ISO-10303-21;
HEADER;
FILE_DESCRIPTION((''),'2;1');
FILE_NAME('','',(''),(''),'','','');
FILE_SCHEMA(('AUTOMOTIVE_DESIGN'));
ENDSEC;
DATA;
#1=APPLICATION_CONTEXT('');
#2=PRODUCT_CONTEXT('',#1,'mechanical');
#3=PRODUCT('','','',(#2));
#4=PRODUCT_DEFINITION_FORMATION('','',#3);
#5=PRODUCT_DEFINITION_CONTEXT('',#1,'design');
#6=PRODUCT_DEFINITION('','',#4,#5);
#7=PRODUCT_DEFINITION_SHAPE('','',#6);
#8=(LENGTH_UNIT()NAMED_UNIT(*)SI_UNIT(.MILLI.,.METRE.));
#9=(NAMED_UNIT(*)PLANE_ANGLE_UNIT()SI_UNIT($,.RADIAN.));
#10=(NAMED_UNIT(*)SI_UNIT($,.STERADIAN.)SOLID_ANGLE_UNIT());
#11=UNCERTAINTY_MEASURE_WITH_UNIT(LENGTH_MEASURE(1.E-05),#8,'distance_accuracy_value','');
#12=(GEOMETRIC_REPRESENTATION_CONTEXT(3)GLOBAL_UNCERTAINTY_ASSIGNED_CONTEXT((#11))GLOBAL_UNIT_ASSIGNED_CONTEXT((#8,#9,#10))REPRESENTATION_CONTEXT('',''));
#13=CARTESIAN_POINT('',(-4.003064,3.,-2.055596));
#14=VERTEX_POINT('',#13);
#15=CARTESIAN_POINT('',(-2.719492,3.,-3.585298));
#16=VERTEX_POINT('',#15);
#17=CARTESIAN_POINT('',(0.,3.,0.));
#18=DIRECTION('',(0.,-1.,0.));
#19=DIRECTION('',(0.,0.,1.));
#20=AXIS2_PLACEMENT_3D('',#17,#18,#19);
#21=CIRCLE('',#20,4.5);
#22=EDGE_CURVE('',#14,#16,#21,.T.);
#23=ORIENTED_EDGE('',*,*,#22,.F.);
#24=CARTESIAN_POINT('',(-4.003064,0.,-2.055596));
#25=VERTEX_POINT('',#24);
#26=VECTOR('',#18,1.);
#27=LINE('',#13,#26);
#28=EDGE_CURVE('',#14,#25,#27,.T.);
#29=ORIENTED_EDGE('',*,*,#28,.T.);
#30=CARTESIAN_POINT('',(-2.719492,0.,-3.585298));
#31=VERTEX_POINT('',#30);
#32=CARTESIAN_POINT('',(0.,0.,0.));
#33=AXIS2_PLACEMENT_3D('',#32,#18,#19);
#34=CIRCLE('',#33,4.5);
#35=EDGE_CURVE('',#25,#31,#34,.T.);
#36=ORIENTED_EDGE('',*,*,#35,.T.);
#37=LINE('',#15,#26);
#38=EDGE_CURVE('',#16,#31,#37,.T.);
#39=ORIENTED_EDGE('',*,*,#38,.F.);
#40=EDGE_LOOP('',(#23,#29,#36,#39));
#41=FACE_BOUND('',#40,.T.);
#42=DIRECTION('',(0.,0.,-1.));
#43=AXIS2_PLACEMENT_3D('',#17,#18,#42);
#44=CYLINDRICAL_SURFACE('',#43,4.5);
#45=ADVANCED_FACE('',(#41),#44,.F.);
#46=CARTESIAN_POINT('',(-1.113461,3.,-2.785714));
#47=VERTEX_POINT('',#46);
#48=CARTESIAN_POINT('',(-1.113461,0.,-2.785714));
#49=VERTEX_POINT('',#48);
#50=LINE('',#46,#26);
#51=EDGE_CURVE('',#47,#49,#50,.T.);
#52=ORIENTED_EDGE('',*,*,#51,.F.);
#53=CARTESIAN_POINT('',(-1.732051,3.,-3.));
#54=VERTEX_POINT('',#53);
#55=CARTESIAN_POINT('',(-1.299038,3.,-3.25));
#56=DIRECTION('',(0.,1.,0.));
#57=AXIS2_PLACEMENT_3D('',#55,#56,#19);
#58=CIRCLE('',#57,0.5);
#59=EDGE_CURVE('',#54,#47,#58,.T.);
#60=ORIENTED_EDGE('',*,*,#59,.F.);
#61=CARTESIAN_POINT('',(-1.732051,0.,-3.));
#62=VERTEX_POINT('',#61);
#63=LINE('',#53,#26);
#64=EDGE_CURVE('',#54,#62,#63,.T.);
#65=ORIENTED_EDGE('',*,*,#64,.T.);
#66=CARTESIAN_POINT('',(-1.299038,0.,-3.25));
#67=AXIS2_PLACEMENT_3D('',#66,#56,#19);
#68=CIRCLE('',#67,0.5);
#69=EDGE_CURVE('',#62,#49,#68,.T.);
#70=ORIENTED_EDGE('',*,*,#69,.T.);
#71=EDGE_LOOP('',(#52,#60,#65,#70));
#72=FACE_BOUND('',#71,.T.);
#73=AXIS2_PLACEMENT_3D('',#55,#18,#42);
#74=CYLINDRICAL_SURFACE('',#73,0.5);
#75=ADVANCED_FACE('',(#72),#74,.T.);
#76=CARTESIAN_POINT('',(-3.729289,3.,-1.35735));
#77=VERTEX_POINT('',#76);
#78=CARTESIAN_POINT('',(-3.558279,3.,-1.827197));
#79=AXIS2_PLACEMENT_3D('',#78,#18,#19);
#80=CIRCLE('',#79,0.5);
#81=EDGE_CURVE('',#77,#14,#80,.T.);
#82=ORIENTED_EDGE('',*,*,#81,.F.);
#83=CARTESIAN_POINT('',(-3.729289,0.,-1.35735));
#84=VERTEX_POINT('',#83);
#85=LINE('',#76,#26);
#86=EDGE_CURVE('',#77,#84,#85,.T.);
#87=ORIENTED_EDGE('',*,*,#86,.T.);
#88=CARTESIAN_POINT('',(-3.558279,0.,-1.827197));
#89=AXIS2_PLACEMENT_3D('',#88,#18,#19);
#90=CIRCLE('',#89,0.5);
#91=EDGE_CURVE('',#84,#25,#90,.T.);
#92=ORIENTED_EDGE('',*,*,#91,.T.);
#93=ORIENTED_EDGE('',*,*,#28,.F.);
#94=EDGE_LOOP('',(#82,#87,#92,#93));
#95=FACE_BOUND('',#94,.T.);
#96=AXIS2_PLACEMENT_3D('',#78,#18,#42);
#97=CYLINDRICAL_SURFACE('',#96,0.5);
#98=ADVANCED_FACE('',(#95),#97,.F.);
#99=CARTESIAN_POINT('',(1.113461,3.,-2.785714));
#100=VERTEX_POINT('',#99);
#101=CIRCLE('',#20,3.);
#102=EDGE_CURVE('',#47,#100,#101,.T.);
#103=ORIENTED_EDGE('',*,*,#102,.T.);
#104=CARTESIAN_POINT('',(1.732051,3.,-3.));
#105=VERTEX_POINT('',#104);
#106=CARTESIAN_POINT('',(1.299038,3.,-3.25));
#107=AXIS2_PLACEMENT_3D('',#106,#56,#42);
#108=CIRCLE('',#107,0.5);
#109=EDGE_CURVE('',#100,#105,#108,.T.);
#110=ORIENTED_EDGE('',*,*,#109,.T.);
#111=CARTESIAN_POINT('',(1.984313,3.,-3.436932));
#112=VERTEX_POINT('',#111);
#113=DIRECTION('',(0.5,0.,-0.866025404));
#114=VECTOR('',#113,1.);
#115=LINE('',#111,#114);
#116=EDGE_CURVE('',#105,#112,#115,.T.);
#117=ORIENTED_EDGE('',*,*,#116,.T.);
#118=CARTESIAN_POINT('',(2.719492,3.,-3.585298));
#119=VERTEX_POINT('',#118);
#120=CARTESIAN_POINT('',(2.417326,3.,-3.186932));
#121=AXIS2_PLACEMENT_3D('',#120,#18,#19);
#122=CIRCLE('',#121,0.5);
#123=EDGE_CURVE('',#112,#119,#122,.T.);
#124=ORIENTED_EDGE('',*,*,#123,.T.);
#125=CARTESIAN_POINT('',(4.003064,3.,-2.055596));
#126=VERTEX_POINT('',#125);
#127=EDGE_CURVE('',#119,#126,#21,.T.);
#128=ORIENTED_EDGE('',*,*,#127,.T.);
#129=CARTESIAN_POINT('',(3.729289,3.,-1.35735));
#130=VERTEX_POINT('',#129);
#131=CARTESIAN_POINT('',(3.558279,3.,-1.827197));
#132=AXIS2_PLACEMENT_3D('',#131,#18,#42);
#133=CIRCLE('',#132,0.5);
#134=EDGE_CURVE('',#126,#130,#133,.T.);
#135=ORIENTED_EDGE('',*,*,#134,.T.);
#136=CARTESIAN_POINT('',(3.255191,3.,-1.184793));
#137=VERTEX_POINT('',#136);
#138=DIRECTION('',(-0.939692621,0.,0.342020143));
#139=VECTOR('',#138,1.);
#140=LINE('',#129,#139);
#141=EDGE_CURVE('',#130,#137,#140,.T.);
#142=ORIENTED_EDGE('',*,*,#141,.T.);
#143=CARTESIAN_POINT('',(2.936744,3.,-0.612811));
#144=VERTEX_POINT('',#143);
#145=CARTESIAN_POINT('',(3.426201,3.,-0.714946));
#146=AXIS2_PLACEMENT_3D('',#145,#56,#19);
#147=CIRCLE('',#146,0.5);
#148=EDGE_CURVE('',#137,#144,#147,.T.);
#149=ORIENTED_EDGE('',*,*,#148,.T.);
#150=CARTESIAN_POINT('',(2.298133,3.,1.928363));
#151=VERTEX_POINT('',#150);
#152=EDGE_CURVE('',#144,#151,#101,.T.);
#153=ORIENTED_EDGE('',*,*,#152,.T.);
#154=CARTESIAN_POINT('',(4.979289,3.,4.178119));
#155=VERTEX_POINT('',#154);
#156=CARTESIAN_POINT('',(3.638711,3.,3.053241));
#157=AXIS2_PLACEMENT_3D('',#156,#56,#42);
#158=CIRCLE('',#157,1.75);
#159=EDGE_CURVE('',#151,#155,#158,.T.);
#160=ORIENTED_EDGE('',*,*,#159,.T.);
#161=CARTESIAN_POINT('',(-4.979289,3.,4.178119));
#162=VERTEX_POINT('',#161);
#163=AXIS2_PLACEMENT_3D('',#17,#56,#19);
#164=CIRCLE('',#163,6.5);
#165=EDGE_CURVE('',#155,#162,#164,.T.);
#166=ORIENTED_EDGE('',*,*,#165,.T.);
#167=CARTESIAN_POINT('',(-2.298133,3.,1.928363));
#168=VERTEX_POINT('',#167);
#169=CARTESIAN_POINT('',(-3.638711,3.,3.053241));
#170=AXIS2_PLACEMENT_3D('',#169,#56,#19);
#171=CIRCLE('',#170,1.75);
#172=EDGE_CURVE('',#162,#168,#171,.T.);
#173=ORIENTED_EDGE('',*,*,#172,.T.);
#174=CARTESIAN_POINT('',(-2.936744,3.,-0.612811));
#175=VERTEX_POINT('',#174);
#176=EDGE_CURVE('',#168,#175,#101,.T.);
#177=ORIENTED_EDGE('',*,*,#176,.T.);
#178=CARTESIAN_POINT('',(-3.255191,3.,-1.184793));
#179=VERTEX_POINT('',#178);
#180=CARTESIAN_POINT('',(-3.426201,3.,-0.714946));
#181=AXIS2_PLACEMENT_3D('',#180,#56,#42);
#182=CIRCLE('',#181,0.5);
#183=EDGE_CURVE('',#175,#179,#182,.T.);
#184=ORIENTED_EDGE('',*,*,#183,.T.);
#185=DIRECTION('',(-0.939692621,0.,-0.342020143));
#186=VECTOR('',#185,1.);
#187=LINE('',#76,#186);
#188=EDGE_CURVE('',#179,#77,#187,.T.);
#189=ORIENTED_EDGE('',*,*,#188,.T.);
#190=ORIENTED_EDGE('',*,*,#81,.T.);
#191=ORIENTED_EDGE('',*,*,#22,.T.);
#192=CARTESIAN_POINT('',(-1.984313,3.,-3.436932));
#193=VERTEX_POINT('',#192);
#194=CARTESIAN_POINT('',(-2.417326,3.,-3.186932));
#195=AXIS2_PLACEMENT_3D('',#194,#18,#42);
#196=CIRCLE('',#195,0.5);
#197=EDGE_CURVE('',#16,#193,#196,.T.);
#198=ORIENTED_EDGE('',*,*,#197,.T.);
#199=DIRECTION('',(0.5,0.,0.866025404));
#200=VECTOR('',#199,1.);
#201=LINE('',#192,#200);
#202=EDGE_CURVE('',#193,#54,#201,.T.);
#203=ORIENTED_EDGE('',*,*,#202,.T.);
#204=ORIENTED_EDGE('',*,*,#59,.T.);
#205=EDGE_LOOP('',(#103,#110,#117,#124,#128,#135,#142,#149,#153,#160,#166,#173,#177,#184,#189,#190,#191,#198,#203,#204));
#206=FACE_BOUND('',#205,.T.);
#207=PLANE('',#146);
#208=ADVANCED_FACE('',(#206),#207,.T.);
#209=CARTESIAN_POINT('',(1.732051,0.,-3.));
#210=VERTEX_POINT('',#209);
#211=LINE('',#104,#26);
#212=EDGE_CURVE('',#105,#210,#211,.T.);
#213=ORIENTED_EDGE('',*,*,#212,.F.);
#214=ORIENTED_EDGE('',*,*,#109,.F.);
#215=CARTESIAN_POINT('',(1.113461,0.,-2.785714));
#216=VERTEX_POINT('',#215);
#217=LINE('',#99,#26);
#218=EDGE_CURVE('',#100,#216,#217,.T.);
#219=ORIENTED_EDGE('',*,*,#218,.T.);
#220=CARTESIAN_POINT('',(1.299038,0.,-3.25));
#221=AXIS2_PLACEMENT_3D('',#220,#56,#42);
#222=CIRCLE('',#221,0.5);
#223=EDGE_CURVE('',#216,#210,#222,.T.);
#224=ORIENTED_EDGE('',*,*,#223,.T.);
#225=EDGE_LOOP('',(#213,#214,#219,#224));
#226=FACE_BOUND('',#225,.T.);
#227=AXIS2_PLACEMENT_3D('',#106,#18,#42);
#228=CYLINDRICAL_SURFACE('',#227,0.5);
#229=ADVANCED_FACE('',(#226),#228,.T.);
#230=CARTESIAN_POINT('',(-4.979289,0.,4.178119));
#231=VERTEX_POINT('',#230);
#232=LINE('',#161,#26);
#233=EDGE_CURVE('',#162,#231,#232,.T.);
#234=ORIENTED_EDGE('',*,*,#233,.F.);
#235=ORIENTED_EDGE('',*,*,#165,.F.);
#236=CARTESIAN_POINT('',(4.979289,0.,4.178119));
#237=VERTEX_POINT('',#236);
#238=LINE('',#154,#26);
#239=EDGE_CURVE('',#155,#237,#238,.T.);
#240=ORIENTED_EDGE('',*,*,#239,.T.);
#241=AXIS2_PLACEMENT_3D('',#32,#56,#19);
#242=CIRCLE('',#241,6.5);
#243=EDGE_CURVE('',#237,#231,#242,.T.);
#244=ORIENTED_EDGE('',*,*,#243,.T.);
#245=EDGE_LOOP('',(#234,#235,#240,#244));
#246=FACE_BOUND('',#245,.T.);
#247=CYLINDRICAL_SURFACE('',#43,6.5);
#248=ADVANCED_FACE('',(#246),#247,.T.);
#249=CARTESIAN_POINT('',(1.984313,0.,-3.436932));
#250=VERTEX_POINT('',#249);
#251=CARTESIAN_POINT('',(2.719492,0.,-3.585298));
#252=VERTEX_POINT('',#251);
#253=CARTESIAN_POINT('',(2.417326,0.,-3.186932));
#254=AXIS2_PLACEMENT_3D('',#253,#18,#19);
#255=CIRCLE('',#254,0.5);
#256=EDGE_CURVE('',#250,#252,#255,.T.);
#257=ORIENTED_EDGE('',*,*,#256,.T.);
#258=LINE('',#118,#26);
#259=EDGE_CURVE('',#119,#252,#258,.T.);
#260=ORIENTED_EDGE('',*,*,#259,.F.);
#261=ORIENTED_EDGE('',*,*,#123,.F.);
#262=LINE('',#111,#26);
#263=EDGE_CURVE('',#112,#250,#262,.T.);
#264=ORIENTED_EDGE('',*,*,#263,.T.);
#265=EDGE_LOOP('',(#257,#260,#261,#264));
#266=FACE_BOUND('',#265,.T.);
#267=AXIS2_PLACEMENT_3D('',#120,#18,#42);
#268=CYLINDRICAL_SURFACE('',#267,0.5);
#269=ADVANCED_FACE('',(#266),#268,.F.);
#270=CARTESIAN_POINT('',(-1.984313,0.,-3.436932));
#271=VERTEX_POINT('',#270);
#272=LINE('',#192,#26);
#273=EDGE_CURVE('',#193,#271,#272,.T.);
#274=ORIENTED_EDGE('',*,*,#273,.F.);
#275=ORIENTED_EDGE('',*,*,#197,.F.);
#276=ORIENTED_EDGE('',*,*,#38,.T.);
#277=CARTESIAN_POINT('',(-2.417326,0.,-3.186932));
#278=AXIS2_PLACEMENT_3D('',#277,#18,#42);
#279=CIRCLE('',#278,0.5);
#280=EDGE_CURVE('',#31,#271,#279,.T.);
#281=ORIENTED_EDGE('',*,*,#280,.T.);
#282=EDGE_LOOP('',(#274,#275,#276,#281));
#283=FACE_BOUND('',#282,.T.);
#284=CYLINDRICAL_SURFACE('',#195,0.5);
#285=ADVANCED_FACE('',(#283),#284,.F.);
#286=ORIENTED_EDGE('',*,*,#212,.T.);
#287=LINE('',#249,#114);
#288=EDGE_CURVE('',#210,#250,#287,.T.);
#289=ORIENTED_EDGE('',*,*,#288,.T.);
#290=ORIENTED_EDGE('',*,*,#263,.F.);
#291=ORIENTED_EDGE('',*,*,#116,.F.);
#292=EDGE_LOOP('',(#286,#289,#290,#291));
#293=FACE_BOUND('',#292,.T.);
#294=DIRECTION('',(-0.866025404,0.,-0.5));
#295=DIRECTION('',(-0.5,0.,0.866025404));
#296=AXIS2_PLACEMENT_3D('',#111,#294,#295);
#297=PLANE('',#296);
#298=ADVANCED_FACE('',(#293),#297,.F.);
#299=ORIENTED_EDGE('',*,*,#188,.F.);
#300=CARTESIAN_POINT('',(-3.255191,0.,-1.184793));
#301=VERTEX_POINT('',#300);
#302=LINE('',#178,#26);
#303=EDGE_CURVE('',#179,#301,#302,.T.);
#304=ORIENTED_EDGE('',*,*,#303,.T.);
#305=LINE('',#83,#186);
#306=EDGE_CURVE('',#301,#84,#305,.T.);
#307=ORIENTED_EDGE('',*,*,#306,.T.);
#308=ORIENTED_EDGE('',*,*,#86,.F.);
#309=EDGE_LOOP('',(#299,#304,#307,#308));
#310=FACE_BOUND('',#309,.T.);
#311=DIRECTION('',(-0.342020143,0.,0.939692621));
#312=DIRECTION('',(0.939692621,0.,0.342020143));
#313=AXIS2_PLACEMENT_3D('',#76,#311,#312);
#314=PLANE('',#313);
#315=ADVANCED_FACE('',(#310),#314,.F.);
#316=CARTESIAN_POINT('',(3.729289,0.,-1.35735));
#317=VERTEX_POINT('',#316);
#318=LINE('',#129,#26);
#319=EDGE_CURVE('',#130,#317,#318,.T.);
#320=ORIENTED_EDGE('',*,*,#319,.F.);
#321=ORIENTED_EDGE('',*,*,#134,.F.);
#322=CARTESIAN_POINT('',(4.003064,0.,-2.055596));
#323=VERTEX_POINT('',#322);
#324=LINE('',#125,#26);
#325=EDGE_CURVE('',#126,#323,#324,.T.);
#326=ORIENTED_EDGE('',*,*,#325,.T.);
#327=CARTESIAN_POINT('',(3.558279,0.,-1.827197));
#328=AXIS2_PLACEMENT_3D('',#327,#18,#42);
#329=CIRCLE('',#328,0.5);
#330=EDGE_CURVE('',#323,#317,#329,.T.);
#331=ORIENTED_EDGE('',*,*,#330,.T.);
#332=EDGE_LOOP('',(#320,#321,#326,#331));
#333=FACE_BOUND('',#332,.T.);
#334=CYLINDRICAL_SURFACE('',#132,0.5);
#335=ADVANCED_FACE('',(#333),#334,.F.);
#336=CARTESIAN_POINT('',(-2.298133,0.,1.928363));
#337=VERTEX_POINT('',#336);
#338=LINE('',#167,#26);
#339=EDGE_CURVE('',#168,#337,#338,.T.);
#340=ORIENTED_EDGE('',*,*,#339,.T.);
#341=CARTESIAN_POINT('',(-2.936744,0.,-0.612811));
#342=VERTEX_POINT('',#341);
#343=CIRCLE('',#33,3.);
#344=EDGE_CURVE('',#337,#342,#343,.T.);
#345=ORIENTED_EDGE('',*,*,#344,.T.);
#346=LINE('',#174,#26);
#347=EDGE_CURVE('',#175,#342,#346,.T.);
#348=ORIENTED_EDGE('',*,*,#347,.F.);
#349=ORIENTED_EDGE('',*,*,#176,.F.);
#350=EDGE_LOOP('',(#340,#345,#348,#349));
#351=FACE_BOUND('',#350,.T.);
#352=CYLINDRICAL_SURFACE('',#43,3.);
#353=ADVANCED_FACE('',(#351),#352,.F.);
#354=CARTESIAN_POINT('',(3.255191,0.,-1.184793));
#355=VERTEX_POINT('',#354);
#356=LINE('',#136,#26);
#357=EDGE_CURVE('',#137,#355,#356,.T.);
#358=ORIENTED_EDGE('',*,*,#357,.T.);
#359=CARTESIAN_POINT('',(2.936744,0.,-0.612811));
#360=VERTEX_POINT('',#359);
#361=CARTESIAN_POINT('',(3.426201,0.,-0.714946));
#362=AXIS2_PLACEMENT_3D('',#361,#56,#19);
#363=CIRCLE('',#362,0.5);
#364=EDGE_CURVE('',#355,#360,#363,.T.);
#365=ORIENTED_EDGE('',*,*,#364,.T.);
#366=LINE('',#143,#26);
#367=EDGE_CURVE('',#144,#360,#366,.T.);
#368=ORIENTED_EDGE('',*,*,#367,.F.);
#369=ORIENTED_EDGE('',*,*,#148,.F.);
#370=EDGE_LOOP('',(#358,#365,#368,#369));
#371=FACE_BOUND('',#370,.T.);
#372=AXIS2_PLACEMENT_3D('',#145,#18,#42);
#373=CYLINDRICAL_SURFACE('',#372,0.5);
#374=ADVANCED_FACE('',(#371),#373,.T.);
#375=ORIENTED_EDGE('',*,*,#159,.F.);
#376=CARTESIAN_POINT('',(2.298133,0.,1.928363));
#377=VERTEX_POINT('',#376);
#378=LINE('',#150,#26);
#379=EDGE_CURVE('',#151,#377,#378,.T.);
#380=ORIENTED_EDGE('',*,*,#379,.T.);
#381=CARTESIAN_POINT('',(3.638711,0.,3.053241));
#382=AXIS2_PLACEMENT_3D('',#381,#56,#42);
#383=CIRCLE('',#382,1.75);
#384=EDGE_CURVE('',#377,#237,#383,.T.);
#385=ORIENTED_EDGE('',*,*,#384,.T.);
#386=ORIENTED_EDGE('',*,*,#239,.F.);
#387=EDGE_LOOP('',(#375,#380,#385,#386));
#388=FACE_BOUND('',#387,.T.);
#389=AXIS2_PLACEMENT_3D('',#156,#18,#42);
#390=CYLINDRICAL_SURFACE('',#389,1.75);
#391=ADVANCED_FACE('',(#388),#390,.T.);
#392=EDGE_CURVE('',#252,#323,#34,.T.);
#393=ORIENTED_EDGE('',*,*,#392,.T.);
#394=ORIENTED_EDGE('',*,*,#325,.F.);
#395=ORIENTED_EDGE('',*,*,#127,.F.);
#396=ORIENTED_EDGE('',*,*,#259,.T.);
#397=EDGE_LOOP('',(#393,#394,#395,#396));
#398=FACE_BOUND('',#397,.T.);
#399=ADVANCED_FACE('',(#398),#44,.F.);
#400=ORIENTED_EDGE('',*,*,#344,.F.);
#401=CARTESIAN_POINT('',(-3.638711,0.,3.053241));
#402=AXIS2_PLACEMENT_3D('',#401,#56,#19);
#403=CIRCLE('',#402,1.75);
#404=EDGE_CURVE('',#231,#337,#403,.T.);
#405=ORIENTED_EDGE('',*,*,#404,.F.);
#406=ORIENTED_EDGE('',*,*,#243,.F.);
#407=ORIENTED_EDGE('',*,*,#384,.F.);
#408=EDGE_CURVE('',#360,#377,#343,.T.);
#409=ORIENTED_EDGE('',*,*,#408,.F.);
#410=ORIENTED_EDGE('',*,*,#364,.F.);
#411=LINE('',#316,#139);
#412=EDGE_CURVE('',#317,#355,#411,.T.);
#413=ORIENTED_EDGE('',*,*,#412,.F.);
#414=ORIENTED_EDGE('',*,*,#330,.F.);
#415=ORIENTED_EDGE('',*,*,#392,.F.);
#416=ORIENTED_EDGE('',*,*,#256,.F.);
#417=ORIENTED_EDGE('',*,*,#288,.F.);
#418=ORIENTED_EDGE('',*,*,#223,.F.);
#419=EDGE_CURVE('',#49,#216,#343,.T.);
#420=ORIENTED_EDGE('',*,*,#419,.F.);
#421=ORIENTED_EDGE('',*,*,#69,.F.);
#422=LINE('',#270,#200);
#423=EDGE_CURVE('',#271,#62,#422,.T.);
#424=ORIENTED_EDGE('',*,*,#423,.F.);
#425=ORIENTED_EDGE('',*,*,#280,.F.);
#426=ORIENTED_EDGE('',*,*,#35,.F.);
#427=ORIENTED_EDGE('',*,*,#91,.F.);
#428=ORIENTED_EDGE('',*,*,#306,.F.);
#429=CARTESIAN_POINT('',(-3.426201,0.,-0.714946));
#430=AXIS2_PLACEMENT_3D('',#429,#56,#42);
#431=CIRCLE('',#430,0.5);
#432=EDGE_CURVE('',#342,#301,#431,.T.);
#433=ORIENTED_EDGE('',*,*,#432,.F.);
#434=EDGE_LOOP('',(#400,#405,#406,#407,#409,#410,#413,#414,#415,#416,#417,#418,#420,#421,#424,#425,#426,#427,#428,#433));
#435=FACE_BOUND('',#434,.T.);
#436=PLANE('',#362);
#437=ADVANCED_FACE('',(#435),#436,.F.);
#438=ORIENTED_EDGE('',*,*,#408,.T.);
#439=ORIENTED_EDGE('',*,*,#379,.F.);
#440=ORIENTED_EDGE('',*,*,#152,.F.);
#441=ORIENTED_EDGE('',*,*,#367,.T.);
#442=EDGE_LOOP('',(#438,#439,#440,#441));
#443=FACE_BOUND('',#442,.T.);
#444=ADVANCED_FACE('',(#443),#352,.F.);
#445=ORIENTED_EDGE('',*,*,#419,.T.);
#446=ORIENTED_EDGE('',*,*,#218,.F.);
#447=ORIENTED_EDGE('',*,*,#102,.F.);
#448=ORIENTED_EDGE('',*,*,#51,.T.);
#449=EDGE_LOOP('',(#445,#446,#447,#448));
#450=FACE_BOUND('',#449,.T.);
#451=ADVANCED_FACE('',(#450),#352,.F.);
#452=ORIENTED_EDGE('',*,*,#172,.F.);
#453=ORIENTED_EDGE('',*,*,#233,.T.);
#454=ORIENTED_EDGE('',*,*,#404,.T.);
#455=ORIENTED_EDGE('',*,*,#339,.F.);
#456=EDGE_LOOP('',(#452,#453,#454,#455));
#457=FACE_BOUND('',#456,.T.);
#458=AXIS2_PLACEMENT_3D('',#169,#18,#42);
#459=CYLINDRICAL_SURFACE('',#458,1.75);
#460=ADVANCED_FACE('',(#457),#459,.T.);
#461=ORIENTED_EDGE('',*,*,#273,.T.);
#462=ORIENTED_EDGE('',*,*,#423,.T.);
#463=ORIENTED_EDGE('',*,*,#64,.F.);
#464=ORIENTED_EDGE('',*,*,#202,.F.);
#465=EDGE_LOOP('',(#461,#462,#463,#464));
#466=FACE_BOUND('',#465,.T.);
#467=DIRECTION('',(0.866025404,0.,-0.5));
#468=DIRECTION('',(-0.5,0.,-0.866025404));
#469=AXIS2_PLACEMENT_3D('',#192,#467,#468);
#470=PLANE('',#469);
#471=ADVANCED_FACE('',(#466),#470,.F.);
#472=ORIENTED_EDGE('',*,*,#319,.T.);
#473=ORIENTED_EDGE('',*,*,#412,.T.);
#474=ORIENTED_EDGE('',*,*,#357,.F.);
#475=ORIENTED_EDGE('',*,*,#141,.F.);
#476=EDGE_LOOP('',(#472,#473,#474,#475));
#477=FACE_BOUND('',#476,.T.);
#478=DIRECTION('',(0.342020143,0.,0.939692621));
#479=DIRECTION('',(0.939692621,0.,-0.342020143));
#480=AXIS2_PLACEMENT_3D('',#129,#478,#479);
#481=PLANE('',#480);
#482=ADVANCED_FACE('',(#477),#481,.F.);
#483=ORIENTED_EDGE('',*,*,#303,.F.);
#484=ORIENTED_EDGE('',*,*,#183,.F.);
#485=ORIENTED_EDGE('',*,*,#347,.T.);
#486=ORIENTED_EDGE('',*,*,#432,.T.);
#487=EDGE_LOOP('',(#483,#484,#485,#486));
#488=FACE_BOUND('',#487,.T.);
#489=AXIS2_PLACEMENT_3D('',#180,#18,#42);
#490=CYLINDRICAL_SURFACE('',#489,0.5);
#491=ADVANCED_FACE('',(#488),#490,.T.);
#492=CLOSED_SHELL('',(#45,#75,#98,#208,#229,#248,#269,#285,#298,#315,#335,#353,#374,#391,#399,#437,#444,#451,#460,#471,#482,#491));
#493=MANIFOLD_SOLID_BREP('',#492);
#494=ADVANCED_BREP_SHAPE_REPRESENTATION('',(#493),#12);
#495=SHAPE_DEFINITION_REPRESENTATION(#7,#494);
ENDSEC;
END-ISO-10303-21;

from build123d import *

# Parameters (mm, degrees)
RESSALTO_EXTRUS_O1_DEPTH = 3


with BuildPart() as part:
    # Esboço1 → Ressalto-extrusão1 (new body)
    with BuildSketch(Plane(origin=(0, 0, 0), x_dir=(1, 0, 0), z_dir=(0, 1, 0))):
        with BuildLine():
            Line((-3.729289475, 1.357350364), (-3.255190725, 1.184792531))
            ThreePointArc((-3.255190725, 1.184792531), (-2.989342722, 0.958164276), (-2.93674354, 0.612811046))
            ThreePointArc((-2.93674354, 0.612811046), (-2.909531771, -0.731180466), (-2.298133329, -1.928362829))
            ThreePointArc((-2.298133329, -1.928362829), (-2.513832788, -4.393818921), (-4.97928888, -4.178119463))
            ThreePointArc((-4.97928888, -4.178119463), (0, 6.5), (4.97928888, -4.178119463))
            ThreePointArc((4.97928888, -4.178119463), (2.513832788, -4.393818921), (2.298133329, -1.928362829))
            ThreePointArc((2.298133329, -1.928362829), (2.909531771, -0.731180466), (2.93674354, 0.612811046))
            ThreePointArc((2.93674354, 0.612811046), (2.989342722, 0.958164276), (3.255190725, 1.184792531))
            Line((3.255190725, 1.184792531), (3.729289475, 1.357350364))
            ThreePointArc((3.729289475, 1.357350364), (4.023776667, 1.644680105), (4.003064329, 2.055596259))
            ThreePointArc((4.003064329, 2.055596259), (3.447199994, 2.892544244), (2.719491958, 3.585298243))
            ThreePointArc((2.719491958, 3.585298243), (2.318415204, 3.677050755), (1.984313483, 3.436931771))
            Line((1.984313483, 3.436931771), (1.732050808, 3))
            ThreePointArc((1.732050808, 3), (1.462701523, 2.777544409), (1.113461233, 2.785714286))
            ThreePointArc((1.113461233, 2.785714286), (0, 3), (-1.113461233, 2.785714286))
            ThreePointArc((-1.113461233, 2.785714286), (-1.462701523, 2.777544409), (-1.732050808, 3))
            Line((-1.732050808, 3), (-1.984313483, 3.436931771))
            ThreePointArc((-1.984313483, 3.436931771), (-2.318415204, 3.677050755), (-2.719491958, 3.585298243))
            ThreePointArc((-2.719491958, 3.585298243), (-3.447199994, 2.892544244), (-4.003064329, 2.055596259))
            ThreePointArc((-4.003064329, 2.055596259), (-4.023776667, 1.644680105), (-3.729289475, 1.357350364))
        make_face()
    extrude(amount=RESSALTO_EXTRUS_O1_DEPTH)


solid = part.part
